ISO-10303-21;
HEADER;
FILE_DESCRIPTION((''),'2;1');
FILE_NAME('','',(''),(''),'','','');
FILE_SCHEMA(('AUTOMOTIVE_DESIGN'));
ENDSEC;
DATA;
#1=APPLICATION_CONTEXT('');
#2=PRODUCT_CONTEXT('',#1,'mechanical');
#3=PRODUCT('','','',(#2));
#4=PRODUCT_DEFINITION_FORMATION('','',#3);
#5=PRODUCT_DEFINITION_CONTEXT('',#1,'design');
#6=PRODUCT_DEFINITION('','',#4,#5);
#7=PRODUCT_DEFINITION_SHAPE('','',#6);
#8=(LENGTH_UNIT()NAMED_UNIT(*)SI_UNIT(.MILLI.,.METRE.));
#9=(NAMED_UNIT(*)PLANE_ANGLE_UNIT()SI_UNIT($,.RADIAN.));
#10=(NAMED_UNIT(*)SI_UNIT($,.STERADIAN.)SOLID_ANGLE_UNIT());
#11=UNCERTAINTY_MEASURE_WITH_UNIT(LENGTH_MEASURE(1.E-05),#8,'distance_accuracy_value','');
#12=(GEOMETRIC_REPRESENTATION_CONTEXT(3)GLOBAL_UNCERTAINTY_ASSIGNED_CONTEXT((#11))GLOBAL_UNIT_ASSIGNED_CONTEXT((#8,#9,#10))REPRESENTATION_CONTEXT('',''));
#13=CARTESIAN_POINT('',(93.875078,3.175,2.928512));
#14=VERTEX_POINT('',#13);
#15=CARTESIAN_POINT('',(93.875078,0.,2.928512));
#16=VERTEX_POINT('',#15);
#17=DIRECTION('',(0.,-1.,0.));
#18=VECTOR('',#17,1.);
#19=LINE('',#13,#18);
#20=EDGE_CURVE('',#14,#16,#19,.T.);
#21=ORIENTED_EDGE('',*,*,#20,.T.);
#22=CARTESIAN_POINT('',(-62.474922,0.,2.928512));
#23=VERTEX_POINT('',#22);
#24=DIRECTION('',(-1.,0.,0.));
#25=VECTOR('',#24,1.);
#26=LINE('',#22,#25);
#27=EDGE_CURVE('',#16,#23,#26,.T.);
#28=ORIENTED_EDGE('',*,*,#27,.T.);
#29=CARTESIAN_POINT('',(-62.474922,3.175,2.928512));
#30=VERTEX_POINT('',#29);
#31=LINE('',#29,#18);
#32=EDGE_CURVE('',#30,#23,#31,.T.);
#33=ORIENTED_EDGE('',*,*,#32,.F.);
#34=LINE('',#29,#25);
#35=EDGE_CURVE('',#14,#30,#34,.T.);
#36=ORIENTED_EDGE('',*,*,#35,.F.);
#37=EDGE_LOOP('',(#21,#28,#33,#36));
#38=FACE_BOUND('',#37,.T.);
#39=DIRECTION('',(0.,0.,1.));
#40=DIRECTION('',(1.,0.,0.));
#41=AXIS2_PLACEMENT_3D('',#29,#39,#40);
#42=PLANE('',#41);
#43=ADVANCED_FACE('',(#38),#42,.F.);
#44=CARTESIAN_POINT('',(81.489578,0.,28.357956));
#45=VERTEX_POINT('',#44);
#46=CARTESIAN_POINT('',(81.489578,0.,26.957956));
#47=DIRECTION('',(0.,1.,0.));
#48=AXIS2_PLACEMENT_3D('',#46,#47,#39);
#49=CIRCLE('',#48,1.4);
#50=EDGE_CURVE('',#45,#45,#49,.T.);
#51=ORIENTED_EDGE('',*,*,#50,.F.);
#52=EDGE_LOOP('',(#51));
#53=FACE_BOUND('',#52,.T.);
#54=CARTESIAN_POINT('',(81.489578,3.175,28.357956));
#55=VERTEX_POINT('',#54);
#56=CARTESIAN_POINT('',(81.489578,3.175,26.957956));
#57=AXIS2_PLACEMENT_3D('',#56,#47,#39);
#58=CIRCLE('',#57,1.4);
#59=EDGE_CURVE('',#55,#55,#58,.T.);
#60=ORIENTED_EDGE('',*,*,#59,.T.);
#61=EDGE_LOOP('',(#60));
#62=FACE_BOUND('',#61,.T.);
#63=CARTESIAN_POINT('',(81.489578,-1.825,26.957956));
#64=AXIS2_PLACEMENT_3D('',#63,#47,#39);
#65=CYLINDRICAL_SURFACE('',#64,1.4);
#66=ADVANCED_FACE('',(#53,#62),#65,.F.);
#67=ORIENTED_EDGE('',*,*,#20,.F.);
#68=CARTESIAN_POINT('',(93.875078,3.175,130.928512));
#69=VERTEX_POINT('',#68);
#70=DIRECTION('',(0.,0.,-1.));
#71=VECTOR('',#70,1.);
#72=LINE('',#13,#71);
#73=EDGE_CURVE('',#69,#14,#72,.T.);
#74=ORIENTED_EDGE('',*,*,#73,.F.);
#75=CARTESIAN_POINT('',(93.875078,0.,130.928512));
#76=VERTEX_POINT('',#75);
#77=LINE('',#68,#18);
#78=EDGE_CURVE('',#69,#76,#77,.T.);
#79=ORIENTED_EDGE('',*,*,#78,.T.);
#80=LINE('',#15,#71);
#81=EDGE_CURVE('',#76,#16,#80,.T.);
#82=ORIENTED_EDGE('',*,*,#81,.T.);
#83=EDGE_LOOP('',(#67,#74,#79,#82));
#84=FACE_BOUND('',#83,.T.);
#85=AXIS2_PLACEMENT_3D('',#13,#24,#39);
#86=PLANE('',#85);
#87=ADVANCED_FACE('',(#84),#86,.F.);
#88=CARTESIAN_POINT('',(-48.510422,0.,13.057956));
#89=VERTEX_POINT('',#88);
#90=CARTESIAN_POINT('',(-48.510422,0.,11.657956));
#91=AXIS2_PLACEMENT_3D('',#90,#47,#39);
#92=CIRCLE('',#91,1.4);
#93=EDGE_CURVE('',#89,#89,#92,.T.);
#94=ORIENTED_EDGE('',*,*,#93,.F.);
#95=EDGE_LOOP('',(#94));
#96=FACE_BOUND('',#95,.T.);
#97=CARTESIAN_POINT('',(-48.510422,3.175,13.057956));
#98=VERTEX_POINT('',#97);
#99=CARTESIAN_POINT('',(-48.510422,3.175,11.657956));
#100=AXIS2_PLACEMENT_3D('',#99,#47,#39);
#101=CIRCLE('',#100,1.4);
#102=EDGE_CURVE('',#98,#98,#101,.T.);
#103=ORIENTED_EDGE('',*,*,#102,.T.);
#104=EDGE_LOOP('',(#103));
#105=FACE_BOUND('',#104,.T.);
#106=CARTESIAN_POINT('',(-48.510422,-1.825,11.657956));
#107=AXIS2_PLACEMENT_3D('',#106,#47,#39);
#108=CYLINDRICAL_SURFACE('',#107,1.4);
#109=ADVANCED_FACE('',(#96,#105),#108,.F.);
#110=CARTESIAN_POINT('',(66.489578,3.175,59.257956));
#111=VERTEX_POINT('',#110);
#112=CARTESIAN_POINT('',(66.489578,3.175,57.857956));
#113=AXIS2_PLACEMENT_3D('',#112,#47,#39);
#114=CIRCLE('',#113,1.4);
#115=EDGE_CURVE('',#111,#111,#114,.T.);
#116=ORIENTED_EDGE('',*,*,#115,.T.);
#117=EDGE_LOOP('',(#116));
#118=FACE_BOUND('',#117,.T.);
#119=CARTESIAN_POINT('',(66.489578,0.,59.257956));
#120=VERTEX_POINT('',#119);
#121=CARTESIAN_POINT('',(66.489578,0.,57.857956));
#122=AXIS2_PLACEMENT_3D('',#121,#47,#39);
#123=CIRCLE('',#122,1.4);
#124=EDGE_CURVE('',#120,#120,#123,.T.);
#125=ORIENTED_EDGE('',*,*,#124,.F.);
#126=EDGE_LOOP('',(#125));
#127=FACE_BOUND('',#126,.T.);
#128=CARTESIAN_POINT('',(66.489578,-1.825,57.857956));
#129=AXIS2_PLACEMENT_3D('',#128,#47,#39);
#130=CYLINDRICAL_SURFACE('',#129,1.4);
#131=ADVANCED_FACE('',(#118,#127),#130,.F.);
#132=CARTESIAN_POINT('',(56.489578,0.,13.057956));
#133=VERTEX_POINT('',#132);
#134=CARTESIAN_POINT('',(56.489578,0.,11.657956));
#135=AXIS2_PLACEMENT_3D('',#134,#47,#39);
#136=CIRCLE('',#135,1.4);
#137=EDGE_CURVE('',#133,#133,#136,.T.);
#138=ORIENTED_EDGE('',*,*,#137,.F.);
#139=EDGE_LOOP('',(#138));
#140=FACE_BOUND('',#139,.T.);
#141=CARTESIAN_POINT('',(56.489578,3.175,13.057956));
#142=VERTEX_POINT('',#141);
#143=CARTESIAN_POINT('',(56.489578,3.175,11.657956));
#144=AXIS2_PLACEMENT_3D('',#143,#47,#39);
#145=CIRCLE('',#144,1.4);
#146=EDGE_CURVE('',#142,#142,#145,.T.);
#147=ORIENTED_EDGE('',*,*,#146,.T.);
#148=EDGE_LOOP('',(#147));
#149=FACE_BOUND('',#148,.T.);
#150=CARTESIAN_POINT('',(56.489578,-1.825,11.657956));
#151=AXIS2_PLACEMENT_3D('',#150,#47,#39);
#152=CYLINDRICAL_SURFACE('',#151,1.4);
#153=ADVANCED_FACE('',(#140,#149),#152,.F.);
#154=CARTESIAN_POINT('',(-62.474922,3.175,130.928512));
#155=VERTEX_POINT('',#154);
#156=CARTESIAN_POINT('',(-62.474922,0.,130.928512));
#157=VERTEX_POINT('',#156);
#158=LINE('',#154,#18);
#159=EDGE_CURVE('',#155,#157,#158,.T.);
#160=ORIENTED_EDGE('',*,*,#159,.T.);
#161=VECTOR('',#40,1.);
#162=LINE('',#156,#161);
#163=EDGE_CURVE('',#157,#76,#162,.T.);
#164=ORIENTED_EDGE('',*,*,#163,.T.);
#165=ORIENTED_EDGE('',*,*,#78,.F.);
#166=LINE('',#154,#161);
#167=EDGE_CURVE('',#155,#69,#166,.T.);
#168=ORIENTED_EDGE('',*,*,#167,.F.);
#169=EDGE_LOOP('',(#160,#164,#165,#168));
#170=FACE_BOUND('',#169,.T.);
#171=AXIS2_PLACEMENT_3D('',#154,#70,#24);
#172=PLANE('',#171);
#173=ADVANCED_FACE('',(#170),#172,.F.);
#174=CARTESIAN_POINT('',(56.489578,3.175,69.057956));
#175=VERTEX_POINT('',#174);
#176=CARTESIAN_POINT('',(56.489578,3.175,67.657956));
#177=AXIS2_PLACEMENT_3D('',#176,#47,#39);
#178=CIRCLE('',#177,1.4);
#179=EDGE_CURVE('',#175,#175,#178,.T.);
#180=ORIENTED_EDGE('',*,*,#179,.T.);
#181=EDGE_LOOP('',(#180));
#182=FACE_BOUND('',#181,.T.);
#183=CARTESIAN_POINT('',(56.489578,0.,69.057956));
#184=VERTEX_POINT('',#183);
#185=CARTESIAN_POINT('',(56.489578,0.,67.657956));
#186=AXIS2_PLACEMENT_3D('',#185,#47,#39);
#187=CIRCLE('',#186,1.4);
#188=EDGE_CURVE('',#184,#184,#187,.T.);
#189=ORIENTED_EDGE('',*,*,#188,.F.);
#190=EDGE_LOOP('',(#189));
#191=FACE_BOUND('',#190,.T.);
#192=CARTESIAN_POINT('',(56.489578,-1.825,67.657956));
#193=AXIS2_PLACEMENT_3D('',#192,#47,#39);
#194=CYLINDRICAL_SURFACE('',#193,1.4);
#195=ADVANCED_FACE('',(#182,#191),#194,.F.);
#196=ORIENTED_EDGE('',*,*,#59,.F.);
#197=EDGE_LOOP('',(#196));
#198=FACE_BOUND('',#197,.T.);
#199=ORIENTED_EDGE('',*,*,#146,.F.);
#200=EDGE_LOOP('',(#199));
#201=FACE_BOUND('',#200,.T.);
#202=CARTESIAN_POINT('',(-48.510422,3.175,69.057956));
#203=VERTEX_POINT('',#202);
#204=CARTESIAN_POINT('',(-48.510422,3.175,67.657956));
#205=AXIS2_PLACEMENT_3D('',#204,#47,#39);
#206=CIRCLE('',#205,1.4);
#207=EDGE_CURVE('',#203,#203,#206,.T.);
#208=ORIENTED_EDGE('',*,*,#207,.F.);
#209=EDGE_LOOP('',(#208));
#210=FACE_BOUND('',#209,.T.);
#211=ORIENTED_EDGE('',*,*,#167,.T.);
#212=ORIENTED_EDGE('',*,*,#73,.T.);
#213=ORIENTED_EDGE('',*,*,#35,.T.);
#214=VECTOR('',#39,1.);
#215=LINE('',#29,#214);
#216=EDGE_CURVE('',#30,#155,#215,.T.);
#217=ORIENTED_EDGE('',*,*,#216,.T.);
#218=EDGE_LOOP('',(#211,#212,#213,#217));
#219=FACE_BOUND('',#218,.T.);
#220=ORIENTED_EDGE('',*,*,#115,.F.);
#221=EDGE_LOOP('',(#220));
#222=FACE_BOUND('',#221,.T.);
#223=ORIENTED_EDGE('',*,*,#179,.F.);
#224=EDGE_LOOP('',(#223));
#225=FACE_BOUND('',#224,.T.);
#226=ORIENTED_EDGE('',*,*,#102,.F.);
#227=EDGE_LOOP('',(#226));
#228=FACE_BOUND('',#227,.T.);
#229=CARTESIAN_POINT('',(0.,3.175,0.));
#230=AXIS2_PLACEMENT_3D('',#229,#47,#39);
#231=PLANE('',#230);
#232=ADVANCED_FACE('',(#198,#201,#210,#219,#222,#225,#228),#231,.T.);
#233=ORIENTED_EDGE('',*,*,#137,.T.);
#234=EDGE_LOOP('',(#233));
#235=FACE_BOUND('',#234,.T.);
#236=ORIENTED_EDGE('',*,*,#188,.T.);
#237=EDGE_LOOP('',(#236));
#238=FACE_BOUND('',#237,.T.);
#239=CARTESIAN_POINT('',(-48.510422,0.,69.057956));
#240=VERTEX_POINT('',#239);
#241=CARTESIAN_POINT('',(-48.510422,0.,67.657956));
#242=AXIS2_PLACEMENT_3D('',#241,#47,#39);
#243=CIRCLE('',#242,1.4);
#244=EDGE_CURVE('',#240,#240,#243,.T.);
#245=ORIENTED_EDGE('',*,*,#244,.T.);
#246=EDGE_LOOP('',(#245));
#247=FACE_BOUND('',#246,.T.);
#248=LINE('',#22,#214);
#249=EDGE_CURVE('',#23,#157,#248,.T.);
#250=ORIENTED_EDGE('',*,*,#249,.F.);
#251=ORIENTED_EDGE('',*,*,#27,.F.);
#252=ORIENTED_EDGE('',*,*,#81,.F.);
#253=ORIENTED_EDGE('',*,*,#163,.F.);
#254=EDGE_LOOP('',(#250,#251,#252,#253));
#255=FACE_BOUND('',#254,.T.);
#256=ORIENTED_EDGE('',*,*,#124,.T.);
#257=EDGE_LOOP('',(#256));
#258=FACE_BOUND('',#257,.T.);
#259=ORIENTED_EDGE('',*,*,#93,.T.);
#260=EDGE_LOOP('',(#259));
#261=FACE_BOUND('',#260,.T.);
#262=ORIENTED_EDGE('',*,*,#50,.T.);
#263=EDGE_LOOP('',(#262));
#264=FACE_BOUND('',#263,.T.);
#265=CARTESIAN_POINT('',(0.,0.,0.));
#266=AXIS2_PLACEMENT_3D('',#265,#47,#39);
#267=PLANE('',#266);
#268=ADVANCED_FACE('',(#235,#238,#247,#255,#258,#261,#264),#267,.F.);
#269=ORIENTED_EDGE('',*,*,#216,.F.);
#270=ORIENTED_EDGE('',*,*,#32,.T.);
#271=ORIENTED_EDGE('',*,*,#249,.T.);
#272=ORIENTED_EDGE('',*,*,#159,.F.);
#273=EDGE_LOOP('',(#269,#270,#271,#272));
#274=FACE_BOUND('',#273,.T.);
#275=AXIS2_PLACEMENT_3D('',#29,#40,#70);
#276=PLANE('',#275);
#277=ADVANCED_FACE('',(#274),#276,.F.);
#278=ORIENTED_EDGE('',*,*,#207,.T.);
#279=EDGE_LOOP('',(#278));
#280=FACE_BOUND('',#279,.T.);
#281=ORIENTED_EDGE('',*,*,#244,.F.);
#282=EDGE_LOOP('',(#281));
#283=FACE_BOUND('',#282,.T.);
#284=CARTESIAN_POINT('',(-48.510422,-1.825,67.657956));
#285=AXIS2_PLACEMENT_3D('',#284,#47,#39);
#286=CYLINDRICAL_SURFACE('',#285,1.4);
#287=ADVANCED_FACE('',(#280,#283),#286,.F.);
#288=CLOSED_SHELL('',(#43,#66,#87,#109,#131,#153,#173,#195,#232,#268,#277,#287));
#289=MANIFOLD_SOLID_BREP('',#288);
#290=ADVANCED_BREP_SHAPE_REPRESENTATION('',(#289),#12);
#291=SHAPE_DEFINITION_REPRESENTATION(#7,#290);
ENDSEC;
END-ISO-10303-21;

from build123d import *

# Parameters (mm, degrees)
SKETCH1_W           = 156.35
SKETCH1_H           = 128
BOSS_EXTRUDE1_DEPTH = 3.175
SKETCH2_R           = 1.4
CUT_EXTRUDE1_DEPTH  = 5


with BuildPart() as part:
    # Sketch1 → Boss-Extrude1 (new body)
    with BuildSketch(Plane(origin=(0, 0, 0), x_dir=(1, 0, 0), z_dir=(0, 1, 0))):
        with Locations((15.700078044, -66.928511967)):
            Rectangle(SKETCH1_W, SKETCH1_H)
    extrude(amount=BOSS_EXTRUDE1_DEPTH)

    # Sketch2 → Cut-Extrude1 (cut)
    with BuildSketch(Plane(origin=(0, 3.175, 0), x_dir=(1, 0, 0), z_dir=(0, 1, 0))):
        with Locations((56.489578195, -67.657956471)):
            Circle(SKETCH2_R)
        with Locations((66.489578195, -57.857956471)):
            Circle(SKETCH2_R)
        with Locations((81.489578195, -26.957956471)):
            Circle(SKETCH2_R)
        with Locations((56.489578195, -11.657956471)):
            Circle(SKETCH2_R)
        with Locations((-48.510421805, -11.657956471)):
            Circle(SKETCH2_R)
        with Locations((-48.510421805, -67.657956471)):
            Circle(SKETCH2_R)
    extrude(amount=-CUT_EXTRUDE1_DEPTH, mode=Mode.SUBTRACT)


solid = part.part
